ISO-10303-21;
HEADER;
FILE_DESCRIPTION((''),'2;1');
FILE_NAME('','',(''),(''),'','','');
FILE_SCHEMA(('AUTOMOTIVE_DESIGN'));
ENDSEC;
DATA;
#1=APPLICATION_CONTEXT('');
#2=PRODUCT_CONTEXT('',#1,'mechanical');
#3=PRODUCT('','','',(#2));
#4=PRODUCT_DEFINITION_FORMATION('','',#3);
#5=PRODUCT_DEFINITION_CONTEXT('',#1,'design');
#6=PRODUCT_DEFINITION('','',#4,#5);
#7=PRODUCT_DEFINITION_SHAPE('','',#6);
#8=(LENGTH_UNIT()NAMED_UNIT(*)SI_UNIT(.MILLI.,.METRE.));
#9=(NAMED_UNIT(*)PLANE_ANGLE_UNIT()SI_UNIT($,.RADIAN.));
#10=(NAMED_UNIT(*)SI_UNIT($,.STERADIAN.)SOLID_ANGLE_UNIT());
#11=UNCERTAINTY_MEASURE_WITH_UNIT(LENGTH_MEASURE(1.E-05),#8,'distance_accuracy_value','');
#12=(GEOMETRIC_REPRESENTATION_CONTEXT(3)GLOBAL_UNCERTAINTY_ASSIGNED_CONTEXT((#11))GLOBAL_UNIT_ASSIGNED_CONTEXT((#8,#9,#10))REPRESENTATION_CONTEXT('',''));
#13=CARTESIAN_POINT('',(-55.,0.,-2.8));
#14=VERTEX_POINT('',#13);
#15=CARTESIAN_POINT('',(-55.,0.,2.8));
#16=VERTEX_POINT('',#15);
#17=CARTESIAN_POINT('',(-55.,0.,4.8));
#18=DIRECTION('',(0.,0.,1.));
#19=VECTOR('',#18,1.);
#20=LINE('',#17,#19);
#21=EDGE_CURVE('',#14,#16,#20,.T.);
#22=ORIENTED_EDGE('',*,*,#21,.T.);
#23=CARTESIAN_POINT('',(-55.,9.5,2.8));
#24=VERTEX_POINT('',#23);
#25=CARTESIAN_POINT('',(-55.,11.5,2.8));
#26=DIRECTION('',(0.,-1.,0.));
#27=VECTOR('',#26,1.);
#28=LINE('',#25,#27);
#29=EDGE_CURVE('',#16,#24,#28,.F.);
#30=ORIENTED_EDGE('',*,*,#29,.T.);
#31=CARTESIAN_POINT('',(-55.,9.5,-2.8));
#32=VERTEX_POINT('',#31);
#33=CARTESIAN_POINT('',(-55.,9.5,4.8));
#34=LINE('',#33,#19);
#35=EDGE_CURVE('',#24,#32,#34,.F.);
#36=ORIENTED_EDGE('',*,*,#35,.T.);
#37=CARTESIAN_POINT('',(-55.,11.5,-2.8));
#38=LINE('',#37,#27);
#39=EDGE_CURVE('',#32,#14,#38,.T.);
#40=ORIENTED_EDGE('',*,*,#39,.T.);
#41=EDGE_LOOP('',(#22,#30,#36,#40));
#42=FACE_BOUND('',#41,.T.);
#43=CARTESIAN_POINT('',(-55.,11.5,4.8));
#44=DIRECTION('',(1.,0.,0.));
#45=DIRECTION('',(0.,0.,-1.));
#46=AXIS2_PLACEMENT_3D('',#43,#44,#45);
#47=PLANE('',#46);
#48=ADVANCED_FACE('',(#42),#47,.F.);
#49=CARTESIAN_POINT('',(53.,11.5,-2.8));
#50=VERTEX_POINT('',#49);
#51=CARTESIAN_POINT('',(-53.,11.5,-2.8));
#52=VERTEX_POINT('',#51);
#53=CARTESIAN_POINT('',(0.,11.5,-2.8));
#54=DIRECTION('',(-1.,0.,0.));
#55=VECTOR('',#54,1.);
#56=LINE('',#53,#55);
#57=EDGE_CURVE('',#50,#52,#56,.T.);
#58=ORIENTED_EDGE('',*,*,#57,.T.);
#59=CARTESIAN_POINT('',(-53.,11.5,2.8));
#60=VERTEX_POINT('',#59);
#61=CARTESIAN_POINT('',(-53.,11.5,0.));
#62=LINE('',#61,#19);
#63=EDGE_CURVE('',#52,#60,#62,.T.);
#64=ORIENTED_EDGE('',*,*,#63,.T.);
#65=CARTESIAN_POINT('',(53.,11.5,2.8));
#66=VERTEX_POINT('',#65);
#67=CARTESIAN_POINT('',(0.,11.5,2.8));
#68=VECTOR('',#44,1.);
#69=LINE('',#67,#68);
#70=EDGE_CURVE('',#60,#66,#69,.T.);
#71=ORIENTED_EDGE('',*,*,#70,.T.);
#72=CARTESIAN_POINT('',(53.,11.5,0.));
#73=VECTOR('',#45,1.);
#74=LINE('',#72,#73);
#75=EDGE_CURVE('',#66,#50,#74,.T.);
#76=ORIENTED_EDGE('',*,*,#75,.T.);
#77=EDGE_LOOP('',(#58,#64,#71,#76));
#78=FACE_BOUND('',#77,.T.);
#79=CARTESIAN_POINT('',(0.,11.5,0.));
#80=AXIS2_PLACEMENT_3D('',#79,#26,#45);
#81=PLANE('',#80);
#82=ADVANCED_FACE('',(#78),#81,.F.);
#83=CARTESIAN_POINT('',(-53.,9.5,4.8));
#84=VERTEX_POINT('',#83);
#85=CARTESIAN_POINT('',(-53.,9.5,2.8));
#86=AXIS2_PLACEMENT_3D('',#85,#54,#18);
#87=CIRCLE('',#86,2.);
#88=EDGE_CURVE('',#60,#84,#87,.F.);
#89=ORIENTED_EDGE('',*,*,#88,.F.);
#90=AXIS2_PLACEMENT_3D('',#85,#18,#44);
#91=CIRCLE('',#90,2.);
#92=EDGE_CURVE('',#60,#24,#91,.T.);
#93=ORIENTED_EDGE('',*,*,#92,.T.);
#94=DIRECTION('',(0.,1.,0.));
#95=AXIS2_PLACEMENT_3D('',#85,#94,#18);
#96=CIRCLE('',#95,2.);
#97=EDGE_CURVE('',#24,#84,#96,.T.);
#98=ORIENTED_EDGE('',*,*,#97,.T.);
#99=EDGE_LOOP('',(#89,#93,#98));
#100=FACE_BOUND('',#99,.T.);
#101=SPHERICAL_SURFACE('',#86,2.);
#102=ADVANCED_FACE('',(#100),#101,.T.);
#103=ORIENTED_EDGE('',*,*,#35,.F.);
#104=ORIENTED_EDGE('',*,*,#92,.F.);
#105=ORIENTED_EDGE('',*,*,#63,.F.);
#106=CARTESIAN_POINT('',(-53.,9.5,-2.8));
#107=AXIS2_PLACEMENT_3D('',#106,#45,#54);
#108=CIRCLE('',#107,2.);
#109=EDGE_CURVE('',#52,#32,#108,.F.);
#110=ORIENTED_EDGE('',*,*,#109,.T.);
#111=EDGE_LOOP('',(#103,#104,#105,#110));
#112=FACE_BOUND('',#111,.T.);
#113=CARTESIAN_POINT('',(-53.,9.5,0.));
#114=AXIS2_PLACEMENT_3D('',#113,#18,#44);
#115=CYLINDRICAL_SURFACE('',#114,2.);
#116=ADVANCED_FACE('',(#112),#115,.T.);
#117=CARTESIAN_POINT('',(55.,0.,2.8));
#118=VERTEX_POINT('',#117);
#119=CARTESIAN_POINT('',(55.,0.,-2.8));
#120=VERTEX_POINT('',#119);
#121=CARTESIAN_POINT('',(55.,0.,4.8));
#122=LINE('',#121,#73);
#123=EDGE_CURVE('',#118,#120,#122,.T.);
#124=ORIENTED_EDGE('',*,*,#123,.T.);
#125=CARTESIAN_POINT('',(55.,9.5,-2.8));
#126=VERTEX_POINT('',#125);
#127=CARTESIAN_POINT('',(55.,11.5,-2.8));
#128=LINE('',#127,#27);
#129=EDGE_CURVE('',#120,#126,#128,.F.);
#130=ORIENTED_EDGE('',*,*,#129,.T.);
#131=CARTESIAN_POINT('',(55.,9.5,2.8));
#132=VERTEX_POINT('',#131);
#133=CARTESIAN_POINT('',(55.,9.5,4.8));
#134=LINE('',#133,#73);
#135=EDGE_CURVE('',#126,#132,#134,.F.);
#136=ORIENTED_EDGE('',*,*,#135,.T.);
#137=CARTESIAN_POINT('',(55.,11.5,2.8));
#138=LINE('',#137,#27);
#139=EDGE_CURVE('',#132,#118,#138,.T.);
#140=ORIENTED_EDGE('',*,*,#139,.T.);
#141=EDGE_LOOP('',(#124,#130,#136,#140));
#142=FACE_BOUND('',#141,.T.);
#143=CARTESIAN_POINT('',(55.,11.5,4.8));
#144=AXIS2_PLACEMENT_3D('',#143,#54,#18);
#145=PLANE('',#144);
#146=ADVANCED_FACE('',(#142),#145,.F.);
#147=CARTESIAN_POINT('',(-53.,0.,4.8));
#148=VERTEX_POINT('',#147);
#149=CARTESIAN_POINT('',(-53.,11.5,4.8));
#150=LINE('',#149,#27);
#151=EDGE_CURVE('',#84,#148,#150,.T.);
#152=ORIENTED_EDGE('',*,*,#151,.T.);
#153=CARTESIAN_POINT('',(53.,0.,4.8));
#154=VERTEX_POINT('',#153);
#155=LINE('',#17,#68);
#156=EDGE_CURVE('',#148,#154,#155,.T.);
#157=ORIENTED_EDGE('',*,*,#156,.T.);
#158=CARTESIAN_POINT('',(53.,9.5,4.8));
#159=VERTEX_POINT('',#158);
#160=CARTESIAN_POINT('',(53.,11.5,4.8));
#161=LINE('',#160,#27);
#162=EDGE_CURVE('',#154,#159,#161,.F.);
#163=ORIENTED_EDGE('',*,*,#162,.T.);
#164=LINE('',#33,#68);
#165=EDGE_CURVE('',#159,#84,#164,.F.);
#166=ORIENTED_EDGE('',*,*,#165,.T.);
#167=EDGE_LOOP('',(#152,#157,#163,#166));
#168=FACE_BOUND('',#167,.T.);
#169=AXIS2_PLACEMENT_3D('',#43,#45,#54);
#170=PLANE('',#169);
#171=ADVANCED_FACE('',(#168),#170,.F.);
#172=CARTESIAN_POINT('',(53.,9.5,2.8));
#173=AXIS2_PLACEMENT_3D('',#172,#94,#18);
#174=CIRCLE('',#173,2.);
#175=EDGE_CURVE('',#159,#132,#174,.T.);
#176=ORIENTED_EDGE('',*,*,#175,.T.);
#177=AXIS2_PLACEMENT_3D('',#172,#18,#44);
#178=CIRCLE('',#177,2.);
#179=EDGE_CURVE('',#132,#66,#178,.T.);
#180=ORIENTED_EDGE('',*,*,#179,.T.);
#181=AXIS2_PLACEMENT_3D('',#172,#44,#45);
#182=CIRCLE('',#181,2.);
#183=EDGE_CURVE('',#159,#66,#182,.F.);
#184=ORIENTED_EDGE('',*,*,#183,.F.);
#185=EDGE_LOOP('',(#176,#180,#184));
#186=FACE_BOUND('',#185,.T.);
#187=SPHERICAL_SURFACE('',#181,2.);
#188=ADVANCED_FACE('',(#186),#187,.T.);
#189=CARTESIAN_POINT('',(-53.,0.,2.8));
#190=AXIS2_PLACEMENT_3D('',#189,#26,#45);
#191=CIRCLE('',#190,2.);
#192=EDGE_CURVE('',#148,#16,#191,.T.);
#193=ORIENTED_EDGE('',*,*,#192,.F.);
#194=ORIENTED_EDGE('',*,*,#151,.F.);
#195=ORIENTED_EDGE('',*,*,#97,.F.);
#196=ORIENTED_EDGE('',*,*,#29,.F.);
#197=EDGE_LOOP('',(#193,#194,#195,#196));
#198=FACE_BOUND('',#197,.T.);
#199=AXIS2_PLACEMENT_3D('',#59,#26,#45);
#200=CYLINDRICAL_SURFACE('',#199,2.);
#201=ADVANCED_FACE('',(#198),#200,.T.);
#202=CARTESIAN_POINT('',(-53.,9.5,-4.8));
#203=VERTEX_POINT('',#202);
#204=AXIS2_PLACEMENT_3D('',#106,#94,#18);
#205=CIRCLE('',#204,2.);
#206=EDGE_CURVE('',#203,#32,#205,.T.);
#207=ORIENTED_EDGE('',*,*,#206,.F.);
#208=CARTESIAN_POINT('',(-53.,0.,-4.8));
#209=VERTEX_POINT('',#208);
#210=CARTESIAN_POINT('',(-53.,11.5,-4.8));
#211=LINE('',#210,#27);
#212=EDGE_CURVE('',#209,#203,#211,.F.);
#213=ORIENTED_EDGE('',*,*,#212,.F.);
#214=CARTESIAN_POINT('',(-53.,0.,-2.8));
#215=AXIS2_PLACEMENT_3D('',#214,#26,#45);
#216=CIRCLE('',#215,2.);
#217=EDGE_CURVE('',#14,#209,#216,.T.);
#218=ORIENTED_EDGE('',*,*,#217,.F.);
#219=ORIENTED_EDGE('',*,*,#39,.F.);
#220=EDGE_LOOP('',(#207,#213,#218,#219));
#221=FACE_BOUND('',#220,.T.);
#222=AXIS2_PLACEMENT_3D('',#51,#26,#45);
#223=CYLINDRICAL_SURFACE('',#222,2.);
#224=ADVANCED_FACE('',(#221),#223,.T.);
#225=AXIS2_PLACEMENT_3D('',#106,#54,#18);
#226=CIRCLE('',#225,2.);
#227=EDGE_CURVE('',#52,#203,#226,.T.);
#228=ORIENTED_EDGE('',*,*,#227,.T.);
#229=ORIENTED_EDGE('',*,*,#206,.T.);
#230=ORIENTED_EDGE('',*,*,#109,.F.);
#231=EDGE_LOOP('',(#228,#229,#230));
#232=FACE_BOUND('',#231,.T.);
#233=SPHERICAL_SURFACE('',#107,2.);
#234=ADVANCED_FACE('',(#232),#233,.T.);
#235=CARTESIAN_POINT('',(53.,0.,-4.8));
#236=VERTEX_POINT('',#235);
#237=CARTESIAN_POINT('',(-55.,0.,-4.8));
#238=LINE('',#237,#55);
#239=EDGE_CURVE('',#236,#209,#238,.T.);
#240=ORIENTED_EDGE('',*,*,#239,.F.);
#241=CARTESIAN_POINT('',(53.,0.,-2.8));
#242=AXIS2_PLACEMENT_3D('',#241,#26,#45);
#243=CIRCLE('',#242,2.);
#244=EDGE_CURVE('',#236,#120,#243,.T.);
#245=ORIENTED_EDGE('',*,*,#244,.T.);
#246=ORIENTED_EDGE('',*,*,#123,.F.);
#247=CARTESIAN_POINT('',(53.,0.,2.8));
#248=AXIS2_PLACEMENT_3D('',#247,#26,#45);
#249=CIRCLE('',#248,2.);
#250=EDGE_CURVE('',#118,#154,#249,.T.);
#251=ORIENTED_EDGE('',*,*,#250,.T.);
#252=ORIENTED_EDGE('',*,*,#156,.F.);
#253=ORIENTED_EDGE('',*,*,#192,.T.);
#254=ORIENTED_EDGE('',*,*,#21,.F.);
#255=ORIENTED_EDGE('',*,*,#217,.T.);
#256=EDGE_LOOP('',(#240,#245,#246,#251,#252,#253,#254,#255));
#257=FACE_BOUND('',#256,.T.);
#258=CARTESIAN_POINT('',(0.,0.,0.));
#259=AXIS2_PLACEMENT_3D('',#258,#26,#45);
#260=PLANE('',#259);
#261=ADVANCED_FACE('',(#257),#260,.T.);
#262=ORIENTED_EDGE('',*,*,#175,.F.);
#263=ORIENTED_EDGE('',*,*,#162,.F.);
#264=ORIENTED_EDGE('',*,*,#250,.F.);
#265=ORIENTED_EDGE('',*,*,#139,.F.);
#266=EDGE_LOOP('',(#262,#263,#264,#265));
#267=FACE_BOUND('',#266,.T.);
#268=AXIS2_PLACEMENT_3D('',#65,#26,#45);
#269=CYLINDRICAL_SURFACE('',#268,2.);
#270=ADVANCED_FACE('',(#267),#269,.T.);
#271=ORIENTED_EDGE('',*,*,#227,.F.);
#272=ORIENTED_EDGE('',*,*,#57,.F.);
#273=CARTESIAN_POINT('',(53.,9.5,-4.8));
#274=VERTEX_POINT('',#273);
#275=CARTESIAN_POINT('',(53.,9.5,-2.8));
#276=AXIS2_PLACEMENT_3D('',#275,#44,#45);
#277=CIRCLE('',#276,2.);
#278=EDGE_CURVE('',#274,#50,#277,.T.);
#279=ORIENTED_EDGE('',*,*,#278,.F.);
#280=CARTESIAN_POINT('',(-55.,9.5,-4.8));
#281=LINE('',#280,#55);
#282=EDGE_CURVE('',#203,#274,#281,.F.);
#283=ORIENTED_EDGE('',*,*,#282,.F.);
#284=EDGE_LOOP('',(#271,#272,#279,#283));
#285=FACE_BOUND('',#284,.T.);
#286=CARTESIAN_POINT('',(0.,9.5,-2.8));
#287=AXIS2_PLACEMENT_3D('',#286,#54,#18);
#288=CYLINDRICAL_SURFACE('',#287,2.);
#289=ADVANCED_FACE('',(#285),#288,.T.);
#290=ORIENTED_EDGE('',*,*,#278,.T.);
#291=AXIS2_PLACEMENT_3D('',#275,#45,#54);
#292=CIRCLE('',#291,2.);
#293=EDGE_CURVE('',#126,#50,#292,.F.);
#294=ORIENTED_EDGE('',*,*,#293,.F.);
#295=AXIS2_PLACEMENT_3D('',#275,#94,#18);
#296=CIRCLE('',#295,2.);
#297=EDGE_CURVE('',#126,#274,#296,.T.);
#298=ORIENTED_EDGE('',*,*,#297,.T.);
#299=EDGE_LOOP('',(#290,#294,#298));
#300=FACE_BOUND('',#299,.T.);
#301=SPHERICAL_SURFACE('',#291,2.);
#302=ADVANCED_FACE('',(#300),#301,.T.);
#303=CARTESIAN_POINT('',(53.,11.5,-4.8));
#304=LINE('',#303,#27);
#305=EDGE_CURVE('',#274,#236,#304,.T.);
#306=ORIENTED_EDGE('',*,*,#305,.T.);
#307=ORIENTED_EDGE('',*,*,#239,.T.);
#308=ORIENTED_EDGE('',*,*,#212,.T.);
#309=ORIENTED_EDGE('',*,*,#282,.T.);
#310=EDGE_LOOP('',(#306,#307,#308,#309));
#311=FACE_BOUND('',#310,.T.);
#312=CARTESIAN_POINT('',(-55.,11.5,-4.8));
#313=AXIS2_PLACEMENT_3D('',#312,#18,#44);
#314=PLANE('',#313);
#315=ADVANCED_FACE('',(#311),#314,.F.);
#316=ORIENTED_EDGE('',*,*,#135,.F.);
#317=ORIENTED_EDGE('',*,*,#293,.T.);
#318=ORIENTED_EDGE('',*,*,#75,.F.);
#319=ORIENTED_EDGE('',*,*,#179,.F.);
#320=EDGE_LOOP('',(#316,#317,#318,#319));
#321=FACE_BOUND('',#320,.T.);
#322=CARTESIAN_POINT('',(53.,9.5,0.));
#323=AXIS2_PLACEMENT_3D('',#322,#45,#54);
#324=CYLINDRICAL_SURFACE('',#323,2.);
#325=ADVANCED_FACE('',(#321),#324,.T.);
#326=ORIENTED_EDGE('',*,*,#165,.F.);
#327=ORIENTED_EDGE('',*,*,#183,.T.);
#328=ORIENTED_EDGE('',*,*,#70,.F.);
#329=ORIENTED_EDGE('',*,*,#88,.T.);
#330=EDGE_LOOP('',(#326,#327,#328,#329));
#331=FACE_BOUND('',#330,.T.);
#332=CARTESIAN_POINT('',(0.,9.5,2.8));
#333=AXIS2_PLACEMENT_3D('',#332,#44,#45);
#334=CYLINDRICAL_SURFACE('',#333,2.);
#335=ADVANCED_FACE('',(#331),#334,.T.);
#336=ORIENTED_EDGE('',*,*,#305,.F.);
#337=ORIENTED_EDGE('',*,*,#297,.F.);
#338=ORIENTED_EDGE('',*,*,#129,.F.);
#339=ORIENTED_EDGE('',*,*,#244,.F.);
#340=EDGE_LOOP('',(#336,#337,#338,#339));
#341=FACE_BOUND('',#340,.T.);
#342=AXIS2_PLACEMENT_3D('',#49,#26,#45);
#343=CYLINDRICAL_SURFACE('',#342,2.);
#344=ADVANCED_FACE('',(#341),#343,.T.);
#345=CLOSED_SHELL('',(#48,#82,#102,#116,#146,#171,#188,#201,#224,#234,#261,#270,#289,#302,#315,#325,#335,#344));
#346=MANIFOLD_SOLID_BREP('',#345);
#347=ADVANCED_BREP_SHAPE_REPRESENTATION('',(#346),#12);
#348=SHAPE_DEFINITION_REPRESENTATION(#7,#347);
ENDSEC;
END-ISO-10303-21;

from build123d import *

# Parameters (mm, degrees)
SKETCH1_W           = 110
SKETCH1_H           = 9.6
BOSS_EXTRUDE1_DEPTH = 11.5
FILLET1_R           = 2


with BuildPart() as part:
    # Sketch1 → Boss-Extrude1 (new body)
    with BuildSketch(Plane(origin=(0, 0, 0), x_dir=(1, 0, 0), z_dir=(0, 1, 0))):
        Rectangle(SKETCH1_W, SKETCH1_H)
    extrude(amount=BOSS_EXTRUDE1_DEPTH)

    # Fillet1
    fillet1_edges = [part.edges().sort_by_distance(p)[0] for p in [
        (-55, 11.5, 0),
        (0, 11.5, 4.8),
        (55, 11.5, 0),
        (55, 5.75, 4.8),
        (-55, 5.75, 4.8),
        (-55, 5.75, -4.8),
        (55, 5.75, -4.8),
        (0, 11.5, -4.8),
    ]]
    fillet(fillet1_edges, radius=FILLET1_R)


solid = part.part
